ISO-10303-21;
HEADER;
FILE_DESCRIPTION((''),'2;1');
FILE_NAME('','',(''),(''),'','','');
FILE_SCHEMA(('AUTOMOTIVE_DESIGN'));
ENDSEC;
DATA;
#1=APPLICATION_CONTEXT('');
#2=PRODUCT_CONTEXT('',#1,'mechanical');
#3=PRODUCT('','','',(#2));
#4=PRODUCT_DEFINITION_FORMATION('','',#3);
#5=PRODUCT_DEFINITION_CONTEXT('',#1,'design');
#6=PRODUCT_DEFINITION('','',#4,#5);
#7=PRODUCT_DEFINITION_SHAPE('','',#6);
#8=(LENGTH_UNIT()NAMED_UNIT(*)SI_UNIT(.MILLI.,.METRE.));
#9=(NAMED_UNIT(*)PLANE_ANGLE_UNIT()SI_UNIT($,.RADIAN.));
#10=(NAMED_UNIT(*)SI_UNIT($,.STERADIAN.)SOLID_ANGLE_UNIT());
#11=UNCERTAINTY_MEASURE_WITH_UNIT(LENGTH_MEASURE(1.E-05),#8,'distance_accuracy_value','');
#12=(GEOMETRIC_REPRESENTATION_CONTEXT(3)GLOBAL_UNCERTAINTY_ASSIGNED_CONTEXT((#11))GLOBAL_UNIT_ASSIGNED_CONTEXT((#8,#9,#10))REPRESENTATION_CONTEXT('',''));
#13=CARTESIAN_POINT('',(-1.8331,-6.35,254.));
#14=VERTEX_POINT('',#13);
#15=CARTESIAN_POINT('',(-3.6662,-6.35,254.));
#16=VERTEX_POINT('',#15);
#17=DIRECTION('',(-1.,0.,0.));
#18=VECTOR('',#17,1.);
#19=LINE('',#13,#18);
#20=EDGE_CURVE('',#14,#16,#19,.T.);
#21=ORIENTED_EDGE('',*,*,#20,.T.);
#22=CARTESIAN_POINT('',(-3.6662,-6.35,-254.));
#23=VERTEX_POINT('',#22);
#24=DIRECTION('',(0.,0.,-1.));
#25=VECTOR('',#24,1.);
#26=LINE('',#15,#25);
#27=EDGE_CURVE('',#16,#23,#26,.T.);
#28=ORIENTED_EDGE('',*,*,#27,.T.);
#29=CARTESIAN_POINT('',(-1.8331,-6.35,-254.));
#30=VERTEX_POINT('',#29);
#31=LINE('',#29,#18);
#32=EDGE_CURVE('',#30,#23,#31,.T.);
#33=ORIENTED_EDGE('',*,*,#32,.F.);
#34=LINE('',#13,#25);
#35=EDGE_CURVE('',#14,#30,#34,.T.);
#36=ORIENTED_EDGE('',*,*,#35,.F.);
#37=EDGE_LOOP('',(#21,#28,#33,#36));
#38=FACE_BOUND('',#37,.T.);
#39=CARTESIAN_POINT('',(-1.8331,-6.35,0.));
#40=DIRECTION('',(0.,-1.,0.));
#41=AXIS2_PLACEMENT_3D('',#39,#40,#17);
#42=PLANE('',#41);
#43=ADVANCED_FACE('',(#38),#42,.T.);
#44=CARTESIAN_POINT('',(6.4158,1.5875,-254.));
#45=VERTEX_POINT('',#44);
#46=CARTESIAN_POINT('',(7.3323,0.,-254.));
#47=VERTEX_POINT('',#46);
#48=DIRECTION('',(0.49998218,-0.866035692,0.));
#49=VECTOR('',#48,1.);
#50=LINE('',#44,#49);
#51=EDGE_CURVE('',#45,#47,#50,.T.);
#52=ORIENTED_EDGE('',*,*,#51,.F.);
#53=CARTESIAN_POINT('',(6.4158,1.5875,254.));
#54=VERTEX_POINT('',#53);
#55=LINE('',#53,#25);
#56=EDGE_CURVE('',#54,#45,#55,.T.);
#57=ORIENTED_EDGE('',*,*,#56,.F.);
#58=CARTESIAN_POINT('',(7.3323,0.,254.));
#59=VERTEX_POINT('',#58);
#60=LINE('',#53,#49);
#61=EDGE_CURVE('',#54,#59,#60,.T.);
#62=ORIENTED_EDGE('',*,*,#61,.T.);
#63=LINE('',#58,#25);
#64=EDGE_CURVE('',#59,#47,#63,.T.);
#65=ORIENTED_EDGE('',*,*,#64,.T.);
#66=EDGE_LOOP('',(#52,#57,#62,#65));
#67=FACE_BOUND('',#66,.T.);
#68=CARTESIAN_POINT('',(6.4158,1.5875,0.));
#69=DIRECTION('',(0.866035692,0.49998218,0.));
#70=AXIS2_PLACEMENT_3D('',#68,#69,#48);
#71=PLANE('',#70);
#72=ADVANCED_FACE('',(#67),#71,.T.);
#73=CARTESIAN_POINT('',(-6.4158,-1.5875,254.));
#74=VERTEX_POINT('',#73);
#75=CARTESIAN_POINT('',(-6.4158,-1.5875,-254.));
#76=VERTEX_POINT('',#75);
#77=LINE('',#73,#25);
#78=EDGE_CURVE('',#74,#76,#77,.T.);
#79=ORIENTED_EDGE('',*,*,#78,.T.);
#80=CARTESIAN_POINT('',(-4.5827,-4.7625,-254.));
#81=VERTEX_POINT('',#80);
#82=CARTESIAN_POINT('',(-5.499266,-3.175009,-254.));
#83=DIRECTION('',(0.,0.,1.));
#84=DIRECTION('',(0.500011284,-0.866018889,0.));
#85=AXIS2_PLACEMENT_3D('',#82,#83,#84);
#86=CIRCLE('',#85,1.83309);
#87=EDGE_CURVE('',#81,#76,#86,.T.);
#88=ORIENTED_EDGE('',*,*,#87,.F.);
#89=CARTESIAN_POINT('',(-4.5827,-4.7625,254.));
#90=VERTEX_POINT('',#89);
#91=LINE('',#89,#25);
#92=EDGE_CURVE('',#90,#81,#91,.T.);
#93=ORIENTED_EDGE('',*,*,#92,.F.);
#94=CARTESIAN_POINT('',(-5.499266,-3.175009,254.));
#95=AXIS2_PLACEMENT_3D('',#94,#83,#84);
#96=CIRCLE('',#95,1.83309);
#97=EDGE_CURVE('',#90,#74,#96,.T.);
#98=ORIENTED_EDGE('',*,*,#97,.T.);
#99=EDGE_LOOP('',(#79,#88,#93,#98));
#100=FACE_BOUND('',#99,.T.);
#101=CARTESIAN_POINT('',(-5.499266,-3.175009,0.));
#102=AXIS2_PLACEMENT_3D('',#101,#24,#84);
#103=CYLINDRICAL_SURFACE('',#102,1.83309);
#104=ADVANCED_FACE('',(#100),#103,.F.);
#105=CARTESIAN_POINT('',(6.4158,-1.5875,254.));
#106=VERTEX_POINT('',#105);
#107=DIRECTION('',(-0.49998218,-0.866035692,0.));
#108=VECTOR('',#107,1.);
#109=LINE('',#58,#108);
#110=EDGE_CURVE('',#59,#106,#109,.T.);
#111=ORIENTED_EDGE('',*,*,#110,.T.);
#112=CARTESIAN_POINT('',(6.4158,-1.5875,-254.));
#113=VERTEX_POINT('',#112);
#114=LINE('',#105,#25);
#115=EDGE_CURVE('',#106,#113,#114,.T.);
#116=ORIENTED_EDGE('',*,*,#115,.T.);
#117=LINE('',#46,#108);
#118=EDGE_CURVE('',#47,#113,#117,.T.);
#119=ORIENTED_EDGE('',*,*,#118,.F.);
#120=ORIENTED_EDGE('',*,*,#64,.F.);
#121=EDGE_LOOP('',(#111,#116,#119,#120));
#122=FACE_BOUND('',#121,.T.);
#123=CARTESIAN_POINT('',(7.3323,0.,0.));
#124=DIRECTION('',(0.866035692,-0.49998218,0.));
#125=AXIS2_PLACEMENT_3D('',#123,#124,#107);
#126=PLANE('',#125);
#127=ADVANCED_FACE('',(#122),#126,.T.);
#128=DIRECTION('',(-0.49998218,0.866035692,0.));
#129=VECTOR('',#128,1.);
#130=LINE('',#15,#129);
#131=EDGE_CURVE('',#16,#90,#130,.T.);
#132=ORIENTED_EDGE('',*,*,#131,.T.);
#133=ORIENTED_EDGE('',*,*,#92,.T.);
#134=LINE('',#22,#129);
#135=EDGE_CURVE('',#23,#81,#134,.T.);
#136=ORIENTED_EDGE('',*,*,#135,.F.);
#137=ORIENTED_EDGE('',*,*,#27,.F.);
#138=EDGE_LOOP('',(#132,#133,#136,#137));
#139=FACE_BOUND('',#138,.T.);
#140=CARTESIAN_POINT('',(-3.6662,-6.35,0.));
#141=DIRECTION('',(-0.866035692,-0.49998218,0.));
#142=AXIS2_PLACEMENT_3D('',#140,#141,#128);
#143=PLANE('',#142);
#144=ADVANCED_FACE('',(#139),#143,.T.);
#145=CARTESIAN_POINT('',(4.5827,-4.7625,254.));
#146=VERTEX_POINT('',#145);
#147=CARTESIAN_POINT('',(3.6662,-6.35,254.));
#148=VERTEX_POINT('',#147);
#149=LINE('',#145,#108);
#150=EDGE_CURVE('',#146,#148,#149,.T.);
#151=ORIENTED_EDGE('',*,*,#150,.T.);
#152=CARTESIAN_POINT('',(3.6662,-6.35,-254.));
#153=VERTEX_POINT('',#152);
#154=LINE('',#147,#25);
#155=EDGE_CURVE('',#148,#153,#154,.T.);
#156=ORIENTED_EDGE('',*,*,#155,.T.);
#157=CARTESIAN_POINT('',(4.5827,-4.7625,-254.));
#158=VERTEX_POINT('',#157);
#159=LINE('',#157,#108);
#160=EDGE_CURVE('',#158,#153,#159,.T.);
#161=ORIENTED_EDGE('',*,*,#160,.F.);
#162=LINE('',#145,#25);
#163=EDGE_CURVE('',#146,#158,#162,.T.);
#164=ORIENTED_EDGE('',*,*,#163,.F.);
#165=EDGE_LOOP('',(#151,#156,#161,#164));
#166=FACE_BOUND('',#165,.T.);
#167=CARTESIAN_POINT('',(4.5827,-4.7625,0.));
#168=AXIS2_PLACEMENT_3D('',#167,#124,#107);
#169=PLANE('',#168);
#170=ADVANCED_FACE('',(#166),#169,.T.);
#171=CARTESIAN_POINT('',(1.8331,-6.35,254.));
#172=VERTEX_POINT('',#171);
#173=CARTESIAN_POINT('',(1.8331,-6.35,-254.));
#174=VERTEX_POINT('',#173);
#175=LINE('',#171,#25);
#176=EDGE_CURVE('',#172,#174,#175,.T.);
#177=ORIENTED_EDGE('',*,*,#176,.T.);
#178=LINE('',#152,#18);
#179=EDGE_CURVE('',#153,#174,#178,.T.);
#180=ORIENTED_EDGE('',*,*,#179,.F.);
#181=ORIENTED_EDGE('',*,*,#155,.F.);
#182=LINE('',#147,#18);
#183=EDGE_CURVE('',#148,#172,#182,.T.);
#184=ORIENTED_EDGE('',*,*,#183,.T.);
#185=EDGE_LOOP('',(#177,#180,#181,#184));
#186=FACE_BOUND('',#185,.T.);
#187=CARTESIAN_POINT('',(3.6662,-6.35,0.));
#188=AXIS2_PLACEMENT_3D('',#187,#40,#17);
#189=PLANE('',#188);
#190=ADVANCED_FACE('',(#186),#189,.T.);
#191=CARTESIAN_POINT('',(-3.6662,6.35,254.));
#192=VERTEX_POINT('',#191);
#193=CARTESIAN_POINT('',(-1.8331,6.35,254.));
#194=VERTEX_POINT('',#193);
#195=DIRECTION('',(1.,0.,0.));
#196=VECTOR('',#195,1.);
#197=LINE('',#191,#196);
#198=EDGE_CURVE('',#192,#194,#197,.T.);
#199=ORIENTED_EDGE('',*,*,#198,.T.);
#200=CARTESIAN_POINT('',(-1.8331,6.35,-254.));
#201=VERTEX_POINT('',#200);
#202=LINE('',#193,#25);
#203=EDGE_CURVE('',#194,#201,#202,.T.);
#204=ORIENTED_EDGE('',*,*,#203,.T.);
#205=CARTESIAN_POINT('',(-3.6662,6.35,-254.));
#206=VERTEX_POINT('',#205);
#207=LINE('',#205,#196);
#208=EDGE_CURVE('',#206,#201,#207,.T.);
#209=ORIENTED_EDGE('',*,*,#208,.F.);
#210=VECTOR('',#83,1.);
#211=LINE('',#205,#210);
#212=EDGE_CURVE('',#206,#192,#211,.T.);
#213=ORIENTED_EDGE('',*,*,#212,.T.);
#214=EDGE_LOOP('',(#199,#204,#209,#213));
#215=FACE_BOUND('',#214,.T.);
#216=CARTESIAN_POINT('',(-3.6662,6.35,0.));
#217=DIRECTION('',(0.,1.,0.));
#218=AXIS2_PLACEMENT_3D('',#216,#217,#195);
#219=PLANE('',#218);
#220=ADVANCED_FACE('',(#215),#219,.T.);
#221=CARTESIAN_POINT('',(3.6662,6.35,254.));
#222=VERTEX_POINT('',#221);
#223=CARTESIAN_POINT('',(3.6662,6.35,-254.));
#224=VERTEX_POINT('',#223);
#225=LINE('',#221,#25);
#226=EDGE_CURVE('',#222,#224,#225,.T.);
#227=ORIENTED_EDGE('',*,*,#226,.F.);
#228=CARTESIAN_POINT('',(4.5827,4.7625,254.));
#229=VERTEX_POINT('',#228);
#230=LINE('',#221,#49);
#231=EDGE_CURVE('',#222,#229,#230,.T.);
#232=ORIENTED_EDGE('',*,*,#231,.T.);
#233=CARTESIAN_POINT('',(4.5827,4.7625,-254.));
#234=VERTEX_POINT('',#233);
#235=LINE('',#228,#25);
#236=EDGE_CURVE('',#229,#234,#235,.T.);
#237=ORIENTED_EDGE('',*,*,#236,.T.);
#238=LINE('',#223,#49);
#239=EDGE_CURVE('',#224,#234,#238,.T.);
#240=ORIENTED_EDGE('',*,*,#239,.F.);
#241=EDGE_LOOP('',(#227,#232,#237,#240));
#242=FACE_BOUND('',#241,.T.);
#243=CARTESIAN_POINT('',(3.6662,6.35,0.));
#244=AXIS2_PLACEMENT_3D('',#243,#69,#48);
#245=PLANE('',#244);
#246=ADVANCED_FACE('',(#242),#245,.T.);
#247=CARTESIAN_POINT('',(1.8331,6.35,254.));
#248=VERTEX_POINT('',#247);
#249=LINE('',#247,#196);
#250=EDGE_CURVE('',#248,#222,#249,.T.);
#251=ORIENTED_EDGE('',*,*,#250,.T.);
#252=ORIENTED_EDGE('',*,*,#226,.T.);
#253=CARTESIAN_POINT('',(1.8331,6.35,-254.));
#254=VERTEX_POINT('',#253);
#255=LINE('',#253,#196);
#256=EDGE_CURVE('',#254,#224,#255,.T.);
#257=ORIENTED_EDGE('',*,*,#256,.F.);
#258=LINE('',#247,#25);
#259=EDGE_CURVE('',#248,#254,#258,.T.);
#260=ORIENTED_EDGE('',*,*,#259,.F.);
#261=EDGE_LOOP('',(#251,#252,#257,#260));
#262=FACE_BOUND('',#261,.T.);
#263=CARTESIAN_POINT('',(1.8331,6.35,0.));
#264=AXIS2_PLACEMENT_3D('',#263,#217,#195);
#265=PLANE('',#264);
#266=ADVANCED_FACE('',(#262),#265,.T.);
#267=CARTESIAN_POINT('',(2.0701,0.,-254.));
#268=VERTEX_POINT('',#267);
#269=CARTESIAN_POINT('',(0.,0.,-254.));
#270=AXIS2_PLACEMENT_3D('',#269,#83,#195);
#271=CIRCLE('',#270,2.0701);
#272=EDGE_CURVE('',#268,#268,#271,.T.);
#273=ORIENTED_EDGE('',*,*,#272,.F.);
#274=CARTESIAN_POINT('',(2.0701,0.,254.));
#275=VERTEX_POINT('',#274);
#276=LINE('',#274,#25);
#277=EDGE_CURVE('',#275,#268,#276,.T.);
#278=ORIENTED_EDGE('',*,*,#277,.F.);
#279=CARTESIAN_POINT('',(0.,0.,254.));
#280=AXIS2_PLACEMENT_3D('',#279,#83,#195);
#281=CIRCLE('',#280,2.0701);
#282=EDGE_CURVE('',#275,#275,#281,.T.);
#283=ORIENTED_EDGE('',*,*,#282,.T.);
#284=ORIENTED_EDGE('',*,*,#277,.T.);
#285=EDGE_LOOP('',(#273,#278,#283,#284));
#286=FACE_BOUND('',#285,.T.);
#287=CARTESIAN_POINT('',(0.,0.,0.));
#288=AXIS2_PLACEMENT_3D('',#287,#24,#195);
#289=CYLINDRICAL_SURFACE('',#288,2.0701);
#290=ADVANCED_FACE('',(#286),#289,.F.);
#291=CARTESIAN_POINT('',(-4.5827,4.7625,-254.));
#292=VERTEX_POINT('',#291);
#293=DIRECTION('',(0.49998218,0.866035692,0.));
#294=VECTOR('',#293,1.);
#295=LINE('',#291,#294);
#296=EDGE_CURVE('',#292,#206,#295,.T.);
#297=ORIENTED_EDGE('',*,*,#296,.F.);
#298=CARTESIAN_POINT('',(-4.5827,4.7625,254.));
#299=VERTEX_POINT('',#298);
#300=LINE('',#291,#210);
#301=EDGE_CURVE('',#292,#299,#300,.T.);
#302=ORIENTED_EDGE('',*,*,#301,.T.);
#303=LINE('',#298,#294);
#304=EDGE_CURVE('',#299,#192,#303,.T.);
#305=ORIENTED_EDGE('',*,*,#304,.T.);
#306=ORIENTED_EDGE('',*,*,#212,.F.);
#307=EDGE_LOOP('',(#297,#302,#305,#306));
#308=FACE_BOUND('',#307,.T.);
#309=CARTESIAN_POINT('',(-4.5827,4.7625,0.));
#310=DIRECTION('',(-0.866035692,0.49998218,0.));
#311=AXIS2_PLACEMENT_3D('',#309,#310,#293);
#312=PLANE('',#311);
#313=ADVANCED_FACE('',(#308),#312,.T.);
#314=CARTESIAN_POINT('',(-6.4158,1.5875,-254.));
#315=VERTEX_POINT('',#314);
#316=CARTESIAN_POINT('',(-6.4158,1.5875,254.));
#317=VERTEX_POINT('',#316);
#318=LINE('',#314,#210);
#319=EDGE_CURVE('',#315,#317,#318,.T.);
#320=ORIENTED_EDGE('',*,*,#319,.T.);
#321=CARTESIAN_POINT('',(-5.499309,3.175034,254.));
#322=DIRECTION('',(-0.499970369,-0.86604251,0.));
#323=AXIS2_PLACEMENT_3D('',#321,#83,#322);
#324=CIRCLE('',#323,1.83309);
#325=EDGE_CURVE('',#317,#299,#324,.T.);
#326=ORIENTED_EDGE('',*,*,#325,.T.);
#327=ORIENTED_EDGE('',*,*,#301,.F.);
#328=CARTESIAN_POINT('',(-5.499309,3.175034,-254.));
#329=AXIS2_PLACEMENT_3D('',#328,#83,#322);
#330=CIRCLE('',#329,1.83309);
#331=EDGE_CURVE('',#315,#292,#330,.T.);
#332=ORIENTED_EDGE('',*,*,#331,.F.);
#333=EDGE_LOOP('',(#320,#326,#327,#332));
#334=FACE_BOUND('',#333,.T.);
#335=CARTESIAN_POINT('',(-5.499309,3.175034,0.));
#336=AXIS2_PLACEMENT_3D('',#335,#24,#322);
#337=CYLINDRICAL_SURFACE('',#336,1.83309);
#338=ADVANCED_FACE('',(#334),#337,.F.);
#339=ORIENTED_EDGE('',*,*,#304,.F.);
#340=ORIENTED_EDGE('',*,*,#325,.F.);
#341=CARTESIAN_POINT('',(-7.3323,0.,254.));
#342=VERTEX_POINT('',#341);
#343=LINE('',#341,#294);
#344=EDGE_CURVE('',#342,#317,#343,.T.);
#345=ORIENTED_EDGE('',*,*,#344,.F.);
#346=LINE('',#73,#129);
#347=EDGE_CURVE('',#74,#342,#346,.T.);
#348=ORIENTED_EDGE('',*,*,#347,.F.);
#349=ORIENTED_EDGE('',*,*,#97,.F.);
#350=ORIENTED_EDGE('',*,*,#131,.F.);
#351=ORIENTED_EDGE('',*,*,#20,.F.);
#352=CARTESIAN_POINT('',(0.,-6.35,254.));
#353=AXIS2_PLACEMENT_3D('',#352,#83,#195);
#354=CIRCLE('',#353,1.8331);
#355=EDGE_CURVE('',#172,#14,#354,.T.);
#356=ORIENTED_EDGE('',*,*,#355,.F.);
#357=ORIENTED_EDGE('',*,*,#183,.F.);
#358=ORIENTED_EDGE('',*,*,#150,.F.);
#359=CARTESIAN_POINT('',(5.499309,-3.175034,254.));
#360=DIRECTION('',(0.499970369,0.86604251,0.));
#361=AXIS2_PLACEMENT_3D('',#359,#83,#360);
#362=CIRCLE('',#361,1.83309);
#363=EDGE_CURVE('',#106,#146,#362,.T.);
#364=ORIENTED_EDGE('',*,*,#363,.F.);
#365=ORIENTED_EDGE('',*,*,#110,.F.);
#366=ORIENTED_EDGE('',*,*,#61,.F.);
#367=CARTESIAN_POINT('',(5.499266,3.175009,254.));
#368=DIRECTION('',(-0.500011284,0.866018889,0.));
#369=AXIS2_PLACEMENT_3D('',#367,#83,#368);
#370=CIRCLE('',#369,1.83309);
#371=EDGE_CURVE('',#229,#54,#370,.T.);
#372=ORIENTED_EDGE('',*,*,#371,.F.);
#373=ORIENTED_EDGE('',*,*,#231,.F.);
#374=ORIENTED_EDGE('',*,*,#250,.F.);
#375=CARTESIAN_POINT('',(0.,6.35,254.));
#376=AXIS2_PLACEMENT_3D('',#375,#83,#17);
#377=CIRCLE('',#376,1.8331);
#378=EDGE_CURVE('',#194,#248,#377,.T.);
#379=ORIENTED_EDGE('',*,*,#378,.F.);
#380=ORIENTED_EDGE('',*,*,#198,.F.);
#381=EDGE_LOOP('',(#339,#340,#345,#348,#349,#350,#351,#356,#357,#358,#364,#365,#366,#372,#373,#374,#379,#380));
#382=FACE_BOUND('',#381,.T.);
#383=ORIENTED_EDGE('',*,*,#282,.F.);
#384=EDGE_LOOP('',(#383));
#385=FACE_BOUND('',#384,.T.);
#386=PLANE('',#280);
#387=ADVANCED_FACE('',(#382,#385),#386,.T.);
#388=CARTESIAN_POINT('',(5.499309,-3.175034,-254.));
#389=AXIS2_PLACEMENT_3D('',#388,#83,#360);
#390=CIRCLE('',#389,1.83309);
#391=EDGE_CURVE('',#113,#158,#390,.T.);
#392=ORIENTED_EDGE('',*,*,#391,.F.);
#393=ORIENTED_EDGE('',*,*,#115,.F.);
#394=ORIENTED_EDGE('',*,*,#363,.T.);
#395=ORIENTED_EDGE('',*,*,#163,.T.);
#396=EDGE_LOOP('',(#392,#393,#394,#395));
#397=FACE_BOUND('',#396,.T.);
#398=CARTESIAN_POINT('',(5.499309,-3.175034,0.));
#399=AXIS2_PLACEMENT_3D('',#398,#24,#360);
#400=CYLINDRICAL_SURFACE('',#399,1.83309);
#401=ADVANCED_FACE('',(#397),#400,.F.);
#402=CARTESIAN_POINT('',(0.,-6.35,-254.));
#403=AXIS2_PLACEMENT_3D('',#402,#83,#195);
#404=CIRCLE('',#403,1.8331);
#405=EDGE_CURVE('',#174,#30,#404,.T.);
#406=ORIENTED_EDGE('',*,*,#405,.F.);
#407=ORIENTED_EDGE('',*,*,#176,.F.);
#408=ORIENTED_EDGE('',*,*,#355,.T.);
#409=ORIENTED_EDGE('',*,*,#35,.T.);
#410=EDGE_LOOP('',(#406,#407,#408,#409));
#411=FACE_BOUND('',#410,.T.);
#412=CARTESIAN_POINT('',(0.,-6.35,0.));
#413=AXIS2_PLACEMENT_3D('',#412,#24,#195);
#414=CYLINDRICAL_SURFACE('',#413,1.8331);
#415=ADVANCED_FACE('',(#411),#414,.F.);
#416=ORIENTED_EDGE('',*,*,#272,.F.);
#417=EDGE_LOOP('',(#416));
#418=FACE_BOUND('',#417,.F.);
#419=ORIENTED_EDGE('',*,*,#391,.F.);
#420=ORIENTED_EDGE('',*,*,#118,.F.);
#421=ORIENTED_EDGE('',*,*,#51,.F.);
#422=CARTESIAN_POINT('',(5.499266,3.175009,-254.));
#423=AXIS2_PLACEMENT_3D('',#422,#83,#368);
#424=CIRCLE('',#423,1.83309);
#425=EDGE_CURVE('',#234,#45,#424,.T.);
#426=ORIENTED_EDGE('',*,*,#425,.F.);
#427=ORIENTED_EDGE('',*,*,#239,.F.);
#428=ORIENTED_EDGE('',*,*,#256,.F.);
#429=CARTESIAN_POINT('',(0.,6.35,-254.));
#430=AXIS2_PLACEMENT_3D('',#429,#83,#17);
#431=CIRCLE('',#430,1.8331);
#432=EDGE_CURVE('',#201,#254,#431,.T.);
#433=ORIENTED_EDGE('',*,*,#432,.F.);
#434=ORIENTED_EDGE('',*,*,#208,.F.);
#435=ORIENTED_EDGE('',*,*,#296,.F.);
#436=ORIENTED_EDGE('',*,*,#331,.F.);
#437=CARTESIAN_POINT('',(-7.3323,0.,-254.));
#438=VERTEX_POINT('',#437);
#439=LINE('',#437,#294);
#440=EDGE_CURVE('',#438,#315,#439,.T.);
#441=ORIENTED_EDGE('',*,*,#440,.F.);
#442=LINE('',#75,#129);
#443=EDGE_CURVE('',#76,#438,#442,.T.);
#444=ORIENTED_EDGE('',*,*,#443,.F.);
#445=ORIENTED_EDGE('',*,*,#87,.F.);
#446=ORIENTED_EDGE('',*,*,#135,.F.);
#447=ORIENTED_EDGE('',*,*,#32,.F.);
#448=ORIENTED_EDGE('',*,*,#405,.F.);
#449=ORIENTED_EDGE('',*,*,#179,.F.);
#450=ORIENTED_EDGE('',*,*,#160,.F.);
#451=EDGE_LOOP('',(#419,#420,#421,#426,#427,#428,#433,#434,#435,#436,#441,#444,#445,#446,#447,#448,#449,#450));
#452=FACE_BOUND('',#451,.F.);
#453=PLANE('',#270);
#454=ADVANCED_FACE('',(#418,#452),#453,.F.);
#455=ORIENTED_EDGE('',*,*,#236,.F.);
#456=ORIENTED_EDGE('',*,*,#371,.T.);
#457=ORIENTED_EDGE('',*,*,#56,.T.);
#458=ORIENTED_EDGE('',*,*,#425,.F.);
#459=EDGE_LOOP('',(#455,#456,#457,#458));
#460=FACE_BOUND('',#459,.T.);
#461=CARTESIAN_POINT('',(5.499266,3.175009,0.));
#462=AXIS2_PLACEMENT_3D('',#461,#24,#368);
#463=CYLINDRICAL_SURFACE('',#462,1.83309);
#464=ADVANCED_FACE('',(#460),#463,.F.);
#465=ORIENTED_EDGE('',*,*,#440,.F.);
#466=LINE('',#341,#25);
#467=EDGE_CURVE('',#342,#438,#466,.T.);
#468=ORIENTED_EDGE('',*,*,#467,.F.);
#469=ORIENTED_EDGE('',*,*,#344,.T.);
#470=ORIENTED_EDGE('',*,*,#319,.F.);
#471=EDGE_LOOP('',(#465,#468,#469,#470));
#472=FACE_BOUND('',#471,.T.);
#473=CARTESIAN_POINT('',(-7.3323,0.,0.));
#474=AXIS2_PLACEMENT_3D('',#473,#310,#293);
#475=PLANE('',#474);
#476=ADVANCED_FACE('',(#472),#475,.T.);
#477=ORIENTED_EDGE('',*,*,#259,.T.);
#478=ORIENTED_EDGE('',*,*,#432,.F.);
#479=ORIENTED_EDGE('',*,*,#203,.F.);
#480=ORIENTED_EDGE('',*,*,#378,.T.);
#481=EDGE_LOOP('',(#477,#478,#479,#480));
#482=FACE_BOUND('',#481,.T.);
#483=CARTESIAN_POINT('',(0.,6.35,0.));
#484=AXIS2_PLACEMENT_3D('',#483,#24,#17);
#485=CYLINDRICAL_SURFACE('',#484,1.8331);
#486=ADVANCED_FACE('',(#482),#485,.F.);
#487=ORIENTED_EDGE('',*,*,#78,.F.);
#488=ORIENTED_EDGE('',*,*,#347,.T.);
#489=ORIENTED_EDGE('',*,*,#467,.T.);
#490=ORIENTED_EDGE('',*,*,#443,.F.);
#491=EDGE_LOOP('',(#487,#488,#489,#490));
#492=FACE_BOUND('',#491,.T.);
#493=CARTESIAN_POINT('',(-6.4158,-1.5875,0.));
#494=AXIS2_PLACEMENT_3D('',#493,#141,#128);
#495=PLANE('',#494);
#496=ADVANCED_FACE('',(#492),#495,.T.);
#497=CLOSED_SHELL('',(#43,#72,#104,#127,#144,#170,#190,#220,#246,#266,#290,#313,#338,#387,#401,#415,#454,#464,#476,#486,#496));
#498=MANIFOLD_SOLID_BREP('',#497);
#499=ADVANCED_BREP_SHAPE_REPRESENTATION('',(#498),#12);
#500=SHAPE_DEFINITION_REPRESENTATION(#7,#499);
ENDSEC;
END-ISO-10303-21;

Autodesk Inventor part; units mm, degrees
ref_plane "YZ Plane" through (0, 0, 0) normal (1, 0, 0) x (0, 1, 0)
ref_plane "XZ Plane" through (0, 0, 0) normal (0, 1, 0) x (-1, 0, 0)
ref_plane "XY Plane" through (0, 0, 0) normal (0, 0, 1) x (1, 0, 0)
sketch "Sketch1" plane through (0, 0, 0) normal (0, 0, 1) x (1, 0, 0)
  line L0 (-3.6662, 6.35) -> (-1.8331, 6.35)
  line L1 (3.6662, 6.35) -> (4.5827, 4.7625)
  line L2 (7.3323, 0) -> (6.4158, -1.5875)
  line L3 (3.6662, -6.35) -> (1.8331, -6.35)
  line L4 (-3.6662, -6.35) -> (-4.5827, -4.7625)
  line L5 (-7.3323, 0) -> (-6.4158, 1.5875)
  arc A0 (-1.8331, 6.35) -> (1.8331, 6.35) centre (0, 6.35) ccw
  arc A1 (-6.4158, 1.5875) -> (-4.5827, 4.7625) centre (-5.4993, 3.175) ccw
  arc A2 (-4.5827, -4.7625) -> (-6.4158, -1.5875) centre (-5.4993, -3.175) ccw
  arc A3 (1.8331, -6.35) -> (-1.8331, -6.35) centre (0, -6.35) ccw
  arc A4 (6.4158, -1.5875) -> (4.5827, -4.7625) centre (5.4993, -3.175) ccw
  arc A5 (4.5827, 4.7625) -> (6.4158, 1.5875) centre (5.4993, 3.175) ccw
  line L6 (-1.8331, 6.35) -> (1.8331, 6.35) construction
  line L7 (1.8331, 6.35) -> (3.6662, 6.35)
  line L8 (-4.5827, 4.7625) -> (-3.6662, 6.35)
  line L9 (-6.4158, 1.5875) -> (-4.5827, 4.7625) construction
  line L10 (-4.5827, -4.7625) -> (-6.4158, -1.5875) construction
  line L11 (-6.4158, -1.5875) -> (-7.3323, 0)
  line L12 (-1.8331, -6.35) -> (-3.6662, -6.35)
  line L13 (1.8331, -6.35) -> (-1.8331, -6.35) construction
  line L14 (4.5827, -4.7625) -> (3.6662, -6.35)
  line L15 (6.4158, -1.5875) -> (4.5827, -4.7625) construction
  line L16 (6.4158, 1.5875) -> (7.3323, 0)
  line L17 (4.5827, 4.7625) -> (6.4158, 1.5875) construction
  circle A6 centre (0, 0) radius 2.0701
  dimension "d0" = 12.7
  dimension "d1" = 1.8331
  dimension "d4" = 360
  dimension "d6" = 1.8331
  dimension "d7" = 1.8331
  dimension "d8" = 4.1402
extrude "Extrusion1" add sketch "Sketch1" along normal mid plane 508
properties part number "Outtake_churro"
